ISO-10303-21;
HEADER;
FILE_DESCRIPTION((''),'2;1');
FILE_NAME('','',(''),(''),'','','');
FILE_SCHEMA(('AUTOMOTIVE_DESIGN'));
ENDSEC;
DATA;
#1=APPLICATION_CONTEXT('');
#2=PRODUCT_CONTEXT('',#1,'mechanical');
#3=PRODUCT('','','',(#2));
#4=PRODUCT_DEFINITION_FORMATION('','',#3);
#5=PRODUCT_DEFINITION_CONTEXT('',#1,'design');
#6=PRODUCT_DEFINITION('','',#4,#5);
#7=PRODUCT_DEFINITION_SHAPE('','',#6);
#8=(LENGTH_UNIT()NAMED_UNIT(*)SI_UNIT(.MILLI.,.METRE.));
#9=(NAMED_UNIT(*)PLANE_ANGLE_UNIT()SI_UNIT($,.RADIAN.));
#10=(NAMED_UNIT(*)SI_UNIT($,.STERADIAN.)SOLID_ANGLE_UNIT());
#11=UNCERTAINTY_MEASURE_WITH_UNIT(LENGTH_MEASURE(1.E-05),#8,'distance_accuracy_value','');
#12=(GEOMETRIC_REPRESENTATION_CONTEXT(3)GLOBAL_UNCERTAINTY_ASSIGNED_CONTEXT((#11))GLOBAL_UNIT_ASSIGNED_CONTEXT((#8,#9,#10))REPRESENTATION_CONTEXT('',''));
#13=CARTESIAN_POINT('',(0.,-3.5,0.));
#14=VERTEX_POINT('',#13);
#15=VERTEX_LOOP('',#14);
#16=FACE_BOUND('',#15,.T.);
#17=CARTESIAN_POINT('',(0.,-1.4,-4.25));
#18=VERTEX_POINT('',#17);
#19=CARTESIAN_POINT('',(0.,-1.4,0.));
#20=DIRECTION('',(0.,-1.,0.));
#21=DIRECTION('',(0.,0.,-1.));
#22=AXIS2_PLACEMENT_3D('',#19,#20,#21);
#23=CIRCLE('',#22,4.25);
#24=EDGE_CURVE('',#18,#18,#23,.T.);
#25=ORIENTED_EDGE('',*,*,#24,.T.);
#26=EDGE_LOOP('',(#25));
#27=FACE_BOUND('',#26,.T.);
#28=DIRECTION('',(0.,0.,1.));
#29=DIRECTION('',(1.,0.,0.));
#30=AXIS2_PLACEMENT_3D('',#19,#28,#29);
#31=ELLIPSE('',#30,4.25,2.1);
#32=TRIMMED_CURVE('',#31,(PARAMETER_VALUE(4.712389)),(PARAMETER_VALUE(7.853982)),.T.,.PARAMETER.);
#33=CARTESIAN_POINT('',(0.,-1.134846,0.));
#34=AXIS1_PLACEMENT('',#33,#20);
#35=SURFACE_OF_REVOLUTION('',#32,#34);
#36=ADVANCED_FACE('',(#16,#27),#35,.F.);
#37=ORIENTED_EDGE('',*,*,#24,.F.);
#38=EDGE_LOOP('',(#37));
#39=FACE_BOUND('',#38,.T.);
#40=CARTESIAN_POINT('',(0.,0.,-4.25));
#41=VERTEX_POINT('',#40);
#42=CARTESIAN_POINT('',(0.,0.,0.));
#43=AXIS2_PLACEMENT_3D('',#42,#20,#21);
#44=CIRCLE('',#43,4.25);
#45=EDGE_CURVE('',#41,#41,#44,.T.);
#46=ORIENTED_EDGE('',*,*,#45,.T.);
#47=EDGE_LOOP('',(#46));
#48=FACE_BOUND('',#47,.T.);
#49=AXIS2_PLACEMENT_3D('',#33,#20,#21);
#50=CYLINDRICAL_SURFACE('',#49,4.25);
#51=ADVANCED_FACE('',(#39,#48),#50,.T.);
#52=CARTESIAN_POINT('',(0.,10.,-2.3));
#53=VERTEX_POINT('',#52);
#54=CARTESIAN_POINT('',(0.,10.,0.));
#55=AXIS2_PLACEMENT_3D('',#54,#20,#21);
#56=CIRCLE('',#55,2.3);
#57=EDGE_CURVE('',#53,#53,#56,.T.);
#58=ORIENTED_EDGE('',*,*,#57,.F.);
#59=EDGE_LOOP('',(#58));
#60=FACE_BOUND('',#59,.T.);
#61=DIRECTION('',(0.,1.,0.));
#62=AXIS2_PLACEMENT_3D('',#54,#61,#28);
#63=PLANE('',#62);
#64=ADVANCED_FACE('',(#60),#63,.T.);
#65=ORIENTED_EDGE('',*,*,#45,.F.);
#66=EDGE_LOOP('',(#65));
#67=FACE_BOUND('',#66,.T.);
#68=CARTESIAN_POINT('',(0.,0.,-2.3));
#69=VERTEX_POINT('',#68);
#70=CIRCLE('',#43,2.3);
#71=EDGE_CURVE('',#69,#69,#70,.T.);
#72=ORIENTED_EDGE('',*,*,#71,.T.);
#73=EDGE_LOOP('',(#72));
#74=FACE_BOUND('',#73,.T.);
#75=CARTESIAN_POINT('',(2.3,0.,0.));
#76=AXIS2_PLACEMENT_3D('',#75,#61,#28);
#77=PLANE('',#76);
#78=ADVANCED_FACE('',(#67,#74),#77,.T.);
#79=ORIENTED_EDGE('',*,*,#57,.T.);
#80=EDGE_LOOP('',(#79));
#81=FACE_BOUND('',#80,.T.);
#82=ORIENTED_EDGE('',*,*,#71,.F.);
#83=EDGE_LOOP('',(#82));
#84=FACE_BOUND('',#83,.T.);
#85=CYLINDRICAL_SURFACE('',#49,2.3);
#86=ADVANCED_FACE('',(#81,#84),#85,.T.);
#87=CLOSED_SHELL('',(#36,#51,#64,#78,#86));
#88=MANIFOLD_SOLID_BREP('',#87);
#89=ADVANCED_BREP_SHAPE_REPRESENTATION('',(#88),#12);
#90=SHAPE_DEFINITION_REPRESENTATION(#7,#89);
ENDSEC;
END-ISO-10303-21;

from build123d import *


with BuildPart() as part:
    # Sketch1 → Revolve1 (revolve)
    with BuildSketch(Plane.XY, mode=Mode.PRIVATE) as revolve1_sk:
        with BuildLine():
            Line((0, -3.5), (0, 10))
            Line((0, 10), (2.3, 10))
            Line((2.3, 10), (2.3, 0))
            Line((2.3, 0), (4.25, 0))
            Line((4.25, 0), (4.25, -1.4))
            add(Edge.make_bspline(
                [(0, -3.5), (4.25, -3.5), (4.25, -1.4)],
                knots=[4.71238898, 4.71238898, 4.71238898, 6.283185307, 6.283185307, 6.283185307], degree=2, weights=[1, 0.707106781, 1]))
        make_face()
    revolve(revolve1_sk.sketch.rotate(Axis((0, -1.134846462, 0), (0, 1, 0)), 90), axis=Axis((0, -1.134846462, 0), (0, 1, 0)))


solid = part.part
